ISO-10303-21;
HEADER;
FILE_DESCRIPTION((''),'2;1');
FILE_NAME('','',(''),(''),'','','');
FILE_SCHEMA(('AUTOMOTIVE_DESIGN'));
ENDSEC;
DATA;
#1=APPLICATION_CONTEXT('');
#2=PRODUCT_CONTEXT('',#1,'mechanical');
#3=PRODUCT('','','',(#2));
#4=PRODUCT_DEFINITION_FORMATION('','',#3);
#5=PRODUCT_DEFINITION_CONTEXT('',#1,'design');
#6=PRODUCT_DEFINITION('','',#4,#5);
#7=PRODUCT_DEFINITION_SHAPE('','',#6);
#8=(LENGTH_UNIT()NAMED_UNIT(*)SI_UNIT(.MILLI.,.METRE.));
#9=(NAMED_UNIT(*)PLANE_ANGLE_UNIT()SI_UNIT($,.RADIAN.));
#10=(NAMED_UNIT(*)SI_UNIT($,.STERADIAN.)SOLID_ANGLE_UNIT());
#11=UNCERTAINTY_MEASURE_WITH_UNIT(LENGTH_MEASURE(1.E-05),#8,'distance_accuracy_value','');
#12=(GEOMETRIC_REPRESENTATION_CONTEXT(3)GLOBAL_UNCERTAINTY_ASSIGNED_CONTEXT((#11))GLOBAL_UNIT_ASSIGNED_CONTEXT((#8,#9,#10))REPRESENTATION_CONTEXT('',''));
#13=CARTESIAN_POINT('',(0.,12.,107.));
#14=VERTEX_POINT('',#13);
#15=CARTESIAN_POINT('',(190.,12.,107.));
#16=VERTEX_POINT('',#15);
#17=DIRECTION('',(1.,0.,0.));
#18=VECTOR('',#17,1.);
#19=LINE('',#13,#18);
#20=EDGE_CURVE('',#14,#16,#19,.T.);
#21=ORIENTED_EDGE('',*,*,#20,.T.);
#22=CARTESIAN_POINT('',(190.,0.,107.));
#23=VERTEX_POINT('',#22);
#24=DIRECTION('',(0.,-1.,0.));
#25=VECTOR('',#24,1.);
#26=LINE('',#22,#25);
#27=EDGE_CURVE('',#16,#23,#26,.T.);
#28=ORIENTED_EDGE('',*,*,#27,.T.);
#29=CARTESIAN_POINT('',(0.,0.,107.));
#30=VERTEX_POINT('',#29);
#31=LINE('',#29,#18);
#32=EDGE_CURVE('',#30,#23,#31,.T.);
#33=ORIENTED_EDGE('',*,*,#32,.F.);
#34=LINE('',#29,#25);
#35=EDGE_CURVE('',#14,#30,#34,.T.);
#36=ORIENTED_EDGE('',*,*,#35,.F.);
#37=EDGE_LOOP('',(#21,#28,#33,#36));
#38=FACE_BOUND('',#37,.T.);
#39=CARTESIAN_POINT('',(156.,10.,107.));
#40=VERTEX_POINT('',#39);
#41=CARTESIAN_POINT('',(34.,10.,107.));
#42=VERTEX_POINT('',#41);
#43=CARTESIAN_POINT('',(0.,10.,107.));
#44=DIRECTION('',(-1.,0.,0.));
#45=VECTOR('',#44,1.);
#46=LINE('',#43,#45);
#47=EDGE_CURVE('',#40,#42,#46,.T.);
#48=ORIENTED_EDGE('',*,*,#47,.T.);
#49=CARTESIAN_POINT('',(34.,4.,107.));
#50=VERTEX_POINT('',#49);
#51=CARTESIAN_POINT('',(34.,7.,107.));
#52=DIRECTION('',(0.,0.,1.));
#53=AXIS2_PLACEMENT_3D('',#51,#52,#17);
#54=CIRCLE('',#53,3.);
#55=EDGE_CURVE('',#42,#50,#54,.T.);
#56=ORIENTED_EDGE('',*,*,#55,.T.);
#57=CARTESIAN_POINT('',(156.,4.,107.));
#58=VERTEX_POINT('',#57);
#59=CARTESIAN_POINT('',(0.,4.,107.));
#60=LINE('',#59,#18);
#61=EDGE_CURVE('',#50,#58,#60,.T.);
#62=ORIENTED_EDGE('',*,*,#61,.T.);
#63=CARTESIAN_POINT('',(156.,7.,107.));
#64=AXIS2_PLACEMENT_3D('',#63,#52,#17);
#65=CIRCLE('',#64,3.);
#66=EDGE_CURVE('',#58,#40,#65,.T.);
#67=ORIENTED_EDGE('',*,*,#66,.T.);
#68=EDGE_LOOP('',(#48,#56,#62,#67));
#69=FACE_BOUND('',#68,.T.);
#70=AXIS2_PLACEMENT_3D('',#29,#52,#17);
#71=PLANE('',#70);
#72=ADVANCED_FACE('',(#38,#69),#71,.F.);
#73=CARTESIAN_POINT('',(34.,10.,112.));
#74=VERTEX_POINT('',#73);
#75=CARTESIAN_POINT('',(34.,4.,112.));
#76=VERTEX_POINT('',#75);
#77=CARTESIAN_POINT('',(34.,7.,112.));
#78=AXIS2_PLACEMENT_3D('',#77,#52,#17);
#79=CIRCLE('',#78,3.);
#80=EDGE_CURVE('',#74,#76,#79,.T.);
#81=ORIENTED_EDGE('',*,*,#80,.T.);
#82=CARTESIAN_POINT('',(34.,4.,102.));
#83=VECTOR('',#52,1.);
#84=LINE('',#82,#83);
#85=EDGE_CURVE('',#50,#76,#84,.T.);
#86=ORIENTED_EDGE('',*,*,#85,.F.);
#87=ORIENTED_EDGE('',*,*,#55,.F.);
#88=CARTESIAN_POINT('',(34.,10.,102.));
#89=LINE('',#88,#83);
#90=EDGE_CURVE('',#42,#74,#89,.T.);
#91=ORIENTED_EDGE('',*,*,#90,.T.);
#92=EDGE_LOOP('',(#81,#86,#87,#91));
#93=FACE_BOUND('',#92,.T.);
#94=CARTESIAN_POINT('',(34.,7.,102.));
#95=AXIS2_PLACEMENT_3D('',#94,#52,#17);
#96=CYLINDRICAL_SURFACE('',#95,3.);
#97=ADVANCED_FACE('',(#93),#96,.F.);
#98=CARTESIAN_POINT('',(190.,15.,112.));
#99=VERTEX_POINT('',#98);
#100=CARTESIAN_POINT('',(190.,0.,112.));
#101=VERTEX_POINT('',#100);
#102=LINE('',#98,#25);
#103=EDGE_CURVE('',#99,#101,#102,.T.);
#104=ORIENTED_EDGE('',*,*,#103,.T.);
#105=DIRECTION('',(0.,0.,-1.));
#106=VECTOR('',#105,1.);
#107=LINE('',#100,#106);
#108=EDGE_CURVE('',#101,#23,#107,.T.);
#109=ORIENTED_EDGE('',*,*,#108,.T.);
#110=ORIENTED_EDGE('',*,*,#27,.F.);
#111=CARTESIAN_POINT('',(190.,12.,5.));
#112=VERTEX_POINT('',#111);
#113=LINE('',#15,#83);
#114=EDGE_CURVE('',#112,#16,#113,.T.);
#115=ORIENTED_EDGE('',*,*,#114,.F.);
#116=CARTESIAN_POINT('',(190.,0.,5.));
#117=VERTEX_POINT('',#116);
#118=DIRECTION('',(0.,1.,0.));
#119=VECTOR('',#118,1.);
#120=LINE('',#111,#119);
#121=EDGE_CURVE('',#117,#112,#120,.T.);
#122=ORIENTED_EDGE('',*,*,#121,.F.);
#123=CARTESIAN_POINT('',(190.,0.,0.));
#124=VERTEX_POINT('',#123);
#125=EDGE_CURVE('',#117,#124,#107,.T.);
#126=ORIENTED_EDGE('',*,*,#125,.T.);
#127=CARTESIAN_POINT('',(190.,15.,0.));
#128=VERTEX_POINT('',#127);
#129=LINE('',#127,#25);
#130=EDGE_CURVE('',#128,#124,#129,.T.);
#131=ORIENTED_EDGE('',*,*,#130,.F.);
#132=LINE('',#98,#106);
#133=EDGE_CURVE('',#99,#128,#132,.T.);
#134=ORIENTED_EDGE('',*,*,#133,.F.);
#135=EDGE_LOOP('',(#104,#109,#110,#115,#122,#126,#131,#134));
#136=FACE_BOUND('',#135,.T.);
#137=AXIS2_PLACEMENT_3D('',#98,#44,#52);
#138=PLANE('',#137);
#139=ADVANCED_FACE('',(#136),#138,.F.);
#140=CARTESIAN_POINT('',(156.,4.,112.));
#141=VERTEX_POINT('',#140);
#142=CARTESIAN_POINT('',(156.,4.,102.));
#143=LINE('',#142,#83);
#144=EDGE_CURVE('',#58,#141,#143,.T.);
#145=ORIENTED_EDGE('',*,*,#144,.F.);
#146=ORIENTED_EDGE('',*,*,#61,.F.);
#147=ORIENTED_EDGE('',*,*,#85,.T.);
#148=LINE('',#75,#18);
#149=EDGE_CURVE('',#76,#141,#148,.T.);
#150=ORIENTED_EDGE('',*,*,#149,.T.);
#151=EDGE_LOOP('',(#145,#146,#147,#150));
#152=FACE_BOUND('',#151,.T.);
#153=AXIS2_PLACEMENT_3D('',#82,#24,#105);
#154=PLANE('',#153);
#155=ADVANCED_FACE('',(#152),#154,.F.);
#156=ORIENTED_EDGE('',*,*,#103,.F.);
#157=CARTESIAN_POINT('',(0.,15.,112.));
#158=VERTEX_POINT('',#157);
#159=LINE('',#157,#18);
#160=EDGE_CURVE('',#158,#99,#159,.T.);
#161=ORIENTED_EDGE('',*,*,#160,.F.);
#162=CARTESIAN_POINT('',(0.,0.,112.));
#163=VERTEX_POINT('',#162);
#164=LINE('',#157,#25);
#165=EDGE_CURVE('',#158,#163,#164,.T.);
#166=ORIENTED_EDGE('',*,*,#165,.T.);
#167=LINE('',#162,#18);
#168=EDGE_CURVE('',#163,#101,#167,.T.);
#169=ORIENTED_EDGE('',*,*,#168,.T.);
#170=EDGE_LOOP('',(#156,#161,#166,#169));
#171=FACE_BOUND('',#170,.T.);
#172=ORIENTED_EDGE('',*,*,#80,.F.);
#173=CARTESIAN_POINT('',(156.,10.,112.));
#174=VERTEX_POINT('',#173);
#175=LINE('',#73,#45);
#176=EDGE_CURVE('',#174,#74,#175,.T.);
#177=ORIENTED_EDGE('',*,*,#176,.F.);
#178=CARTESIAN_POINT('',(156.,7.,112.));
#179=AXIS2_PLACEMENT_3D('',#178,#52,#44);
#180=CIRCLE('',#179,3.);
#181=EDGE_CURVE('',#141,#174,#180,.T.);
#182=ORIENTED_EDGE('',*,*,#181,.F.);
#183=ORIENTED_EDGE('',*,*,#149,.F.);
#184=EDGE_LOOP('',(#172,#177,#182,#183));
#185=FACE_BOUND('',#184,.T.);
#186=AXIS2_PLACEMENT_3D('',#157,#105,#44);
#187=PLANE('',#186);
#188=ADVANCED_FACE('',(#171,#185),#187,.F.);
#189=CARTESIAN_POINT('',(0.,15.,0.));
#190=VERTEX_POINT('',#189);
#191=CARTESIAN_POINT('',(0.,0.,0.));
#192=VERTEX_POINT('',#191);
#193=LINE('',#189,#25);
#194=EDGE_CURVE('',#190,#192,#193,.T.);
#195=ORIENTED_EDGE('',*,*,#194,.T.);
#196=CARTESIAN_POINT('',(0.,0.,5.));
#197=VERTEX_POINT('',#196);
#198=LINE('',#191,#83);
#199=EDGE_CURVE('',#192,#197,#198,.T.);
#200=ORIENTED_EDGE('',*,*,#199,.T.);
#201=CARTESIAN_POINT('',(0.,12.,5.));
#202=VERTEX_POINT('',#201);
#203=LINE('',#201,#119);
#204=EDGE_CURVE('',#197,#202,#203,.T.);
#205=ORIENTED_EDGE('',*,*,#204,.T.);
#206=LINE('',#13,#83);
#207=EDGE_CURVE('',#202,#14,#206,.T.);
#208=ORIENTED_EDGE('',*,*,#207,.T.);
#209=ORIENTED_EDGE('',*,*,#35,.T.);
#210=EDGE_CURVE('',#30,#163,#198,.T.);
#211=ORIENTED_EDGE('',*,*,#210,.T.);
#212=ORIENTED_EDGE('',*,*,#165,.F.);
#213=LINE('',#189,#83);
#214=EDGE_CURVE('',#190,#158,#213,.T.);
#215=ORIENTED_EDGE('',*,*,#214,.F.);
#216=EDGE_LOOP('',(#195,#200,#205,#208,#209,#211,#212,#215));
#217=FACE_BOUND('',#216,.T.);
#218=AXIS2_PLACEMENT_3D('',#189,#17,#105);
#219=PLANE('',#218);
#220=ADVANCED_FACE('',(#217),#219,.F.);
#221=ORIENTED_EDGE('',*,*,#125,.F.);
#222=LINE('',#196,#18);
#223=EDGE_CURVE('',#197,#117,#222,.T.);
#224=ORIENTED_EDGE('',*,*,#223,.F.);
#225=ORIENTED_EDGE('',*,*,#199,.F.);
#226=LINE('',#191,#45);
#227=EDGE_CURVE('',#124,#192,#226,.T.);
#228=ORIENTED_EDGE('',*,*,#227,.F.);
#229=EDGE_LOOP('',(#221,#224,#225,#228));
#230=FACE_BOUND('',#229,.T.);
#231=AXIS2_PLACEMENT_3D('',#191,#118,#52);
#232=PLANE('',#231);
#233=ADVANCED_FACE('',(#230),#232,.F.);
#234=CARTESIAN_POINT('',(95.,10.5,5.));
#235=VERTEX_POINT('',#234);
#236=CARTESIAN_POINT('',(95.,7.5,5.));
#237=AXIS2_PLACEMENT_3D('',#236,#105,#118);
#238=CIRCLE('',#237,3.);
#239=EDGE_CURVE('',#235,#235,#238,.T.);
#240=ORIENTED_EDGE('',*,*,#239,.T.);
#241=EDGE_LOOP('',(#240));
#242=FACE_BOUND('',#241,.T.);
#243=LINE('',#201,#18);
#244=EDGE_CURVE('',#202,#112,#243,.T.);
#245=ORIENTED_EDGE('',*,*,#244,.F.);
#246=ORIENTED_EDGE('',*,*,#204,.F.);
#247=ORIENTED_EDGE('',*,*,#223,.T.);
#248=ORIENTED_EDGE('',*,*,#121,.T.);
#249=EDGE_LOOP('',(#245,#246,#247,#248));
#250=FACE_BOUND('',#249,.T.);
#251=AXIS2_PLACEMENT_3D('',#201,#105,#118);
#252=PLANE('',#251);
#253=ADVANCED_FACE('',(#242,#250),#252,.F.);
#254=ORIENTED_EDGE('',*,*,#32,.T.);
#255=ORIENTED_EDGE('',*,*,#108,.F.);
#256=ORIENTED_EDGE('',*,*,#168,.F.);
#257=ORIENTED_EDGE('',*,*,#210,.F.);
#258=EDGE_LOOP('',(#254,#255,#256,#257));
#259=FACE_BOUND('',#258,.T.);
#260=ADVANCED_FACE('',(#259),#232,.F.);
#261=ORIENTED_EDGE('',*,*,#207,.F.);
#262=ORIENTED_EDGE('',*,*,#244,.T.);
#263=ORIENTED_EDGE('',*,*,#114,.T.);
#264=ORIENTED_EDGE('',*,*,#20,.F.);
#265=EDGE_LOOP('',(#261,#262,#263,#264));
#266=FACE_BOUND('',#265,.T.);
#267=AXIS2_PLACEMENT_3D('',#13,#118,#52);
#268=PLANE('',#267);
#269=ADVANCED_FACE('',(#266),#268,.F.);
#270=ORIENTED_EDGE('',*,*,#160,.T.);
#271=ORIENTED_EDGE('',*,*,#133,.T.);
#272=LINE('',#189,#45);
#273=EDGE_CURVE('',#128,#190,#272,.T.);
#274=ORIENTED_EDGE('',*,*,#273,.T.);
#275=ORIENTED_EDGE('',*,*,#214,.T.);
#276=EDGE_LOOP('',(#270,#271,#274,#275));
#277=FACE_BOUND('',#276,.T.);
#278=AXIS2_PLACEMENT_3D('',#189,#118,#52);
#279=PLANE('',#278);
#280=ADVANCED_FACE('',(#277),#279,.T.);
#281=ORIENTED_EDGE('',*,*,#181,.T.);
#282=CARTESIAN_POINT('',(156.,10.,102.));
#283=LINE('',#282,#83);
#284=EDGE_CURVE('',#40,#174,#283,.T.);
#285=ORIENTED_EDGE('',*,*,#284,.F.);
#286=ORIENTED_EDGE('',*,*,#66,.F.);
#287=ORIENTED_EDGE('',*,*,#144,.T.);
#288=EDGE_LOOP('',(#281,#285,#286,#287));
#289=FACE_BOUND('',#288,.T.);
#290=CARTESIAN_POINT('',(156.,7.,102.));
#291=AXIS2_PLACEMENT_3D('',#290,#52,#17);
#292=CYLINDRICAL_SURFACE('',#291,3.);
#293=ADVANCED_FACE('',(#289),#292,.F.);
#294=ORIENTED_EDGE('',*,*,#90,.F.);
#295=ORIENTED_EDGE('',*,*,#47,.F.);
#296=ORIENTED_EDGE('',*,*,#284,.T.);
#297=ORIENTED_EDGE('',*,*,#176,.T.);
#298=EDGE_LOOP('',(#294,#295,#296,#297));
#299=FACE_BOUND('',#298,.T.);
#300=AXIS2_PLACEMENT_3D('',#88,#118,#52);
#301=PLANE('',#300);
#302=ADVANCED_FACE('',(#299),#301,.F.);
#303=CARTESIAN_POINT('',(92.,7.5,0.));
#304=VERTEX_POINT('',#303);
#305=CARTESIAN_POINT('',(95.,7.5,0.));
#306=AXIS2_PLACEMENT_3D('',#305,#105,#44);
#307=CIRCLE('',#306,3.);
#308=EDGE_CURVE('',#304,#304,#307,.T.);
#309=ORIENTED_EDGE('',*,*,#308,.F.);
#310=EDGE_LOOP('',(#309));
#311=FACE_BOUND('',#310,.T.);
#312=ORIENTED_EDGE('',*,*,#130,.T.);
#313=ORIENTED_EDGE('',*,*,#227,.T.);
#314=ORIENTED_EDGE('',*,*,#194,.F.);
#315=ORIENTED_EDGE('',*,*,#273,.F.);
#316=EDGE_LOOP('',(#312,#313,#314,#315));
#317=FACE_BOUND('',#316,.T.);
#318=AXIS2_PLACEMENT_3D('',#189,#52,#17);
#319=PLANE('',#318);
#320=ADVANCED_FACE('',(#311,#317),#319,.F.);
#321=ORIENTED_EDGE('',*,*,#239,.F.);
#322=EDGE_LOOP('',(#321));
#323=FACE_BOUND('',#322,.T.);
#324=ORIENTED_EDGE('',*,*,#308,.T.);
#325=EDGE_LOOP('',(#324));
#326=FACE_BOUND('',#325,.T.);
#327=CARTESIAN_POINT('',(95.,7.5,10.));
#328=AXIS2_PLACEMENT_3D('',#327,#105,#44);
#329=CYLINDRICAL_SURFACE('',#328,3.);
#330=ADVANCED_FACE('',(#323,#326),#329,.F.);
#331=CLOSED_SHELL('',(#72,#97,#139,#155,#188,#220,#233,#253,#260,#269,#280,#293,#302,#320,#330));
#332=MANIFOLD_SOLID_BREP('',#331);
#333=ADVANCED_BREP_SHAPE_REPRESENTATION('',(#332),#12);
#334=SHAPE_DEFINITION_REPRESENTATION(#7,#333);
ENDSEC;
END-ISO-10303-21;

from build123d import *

# Parameters (mm, degrees)
SKETCH1_W           = 190
SKETCH1_H           = 112
BOSS_EXTRUDE1_DEPTH = 15
SKETCH5_W           = 102
SKETCH5_H           = 12
CUT_EXTRUDE3_DEPTH  = 222.06333934
CUT_EXTRUDE4_DEPTH  = 10
SKETCH6_R           = 3
CUT_EXTRUDE5_DEPTH  = 10


with BuildPart() as part:
    # Sketch1 → Boss-Extrude1 (new body)
    with BuildSketch(Plane(origin=(0, 0, 0), x_dir=(1, 0, 0), z_dir=(0, 1, 0))):
        with Locations((95, -56)):
            Rectangle(SKETCH1_W, SKETCH1_H)
    extrude(amount=BOSS_EXTRUDE1_DEPTH)

    # Sketch5 → Cut-Extrude3 (cut, through all)
    with BuildSketch(Plane(origin=(190, 0, 0), x_dir=(0, 0, -1), z_dir=(1, 0, 0))):
        with Locations((-56, 6)):
            Rectangle(SKETCH5_W, SKETCH5_H)
    extrude(amount=-CUT_EXTRUDE3_DEPTH, mode=Mode.SUBTRACT)

    # Sketch2 → Cut-Extrude4 (cut)
    with BuildSketch(Plane.XY.offset(112)):
        with BuildLine():
            Line((34, 10), (156, 10))
            ThreePointArc((156, 10), (159, 7), (156, 4))
            Line((156, 4), (34, 4))
            ThreePointArc((34, 4), (31, 7), (34, 10))
        make_face()
    extrude(amount=-CUT_EXTRUDE4_DEPTH, mode=Mode.SUBTRACT)

    # Sketch6 → Cut-Extrude5 (cut)
    with BuildSketch(Plane(origin=(0, 0, 0), x_dir=(-1, 0, 0), z_dir=(0, 0, -1))):
        with Locations((-95, 7.5)):
            Circle(SKETCH6_R)
    extrude(amount=-CUT_EXTRUDE5_DEPTH, mode=Mode.SUBTRACT)


solid = part.part
